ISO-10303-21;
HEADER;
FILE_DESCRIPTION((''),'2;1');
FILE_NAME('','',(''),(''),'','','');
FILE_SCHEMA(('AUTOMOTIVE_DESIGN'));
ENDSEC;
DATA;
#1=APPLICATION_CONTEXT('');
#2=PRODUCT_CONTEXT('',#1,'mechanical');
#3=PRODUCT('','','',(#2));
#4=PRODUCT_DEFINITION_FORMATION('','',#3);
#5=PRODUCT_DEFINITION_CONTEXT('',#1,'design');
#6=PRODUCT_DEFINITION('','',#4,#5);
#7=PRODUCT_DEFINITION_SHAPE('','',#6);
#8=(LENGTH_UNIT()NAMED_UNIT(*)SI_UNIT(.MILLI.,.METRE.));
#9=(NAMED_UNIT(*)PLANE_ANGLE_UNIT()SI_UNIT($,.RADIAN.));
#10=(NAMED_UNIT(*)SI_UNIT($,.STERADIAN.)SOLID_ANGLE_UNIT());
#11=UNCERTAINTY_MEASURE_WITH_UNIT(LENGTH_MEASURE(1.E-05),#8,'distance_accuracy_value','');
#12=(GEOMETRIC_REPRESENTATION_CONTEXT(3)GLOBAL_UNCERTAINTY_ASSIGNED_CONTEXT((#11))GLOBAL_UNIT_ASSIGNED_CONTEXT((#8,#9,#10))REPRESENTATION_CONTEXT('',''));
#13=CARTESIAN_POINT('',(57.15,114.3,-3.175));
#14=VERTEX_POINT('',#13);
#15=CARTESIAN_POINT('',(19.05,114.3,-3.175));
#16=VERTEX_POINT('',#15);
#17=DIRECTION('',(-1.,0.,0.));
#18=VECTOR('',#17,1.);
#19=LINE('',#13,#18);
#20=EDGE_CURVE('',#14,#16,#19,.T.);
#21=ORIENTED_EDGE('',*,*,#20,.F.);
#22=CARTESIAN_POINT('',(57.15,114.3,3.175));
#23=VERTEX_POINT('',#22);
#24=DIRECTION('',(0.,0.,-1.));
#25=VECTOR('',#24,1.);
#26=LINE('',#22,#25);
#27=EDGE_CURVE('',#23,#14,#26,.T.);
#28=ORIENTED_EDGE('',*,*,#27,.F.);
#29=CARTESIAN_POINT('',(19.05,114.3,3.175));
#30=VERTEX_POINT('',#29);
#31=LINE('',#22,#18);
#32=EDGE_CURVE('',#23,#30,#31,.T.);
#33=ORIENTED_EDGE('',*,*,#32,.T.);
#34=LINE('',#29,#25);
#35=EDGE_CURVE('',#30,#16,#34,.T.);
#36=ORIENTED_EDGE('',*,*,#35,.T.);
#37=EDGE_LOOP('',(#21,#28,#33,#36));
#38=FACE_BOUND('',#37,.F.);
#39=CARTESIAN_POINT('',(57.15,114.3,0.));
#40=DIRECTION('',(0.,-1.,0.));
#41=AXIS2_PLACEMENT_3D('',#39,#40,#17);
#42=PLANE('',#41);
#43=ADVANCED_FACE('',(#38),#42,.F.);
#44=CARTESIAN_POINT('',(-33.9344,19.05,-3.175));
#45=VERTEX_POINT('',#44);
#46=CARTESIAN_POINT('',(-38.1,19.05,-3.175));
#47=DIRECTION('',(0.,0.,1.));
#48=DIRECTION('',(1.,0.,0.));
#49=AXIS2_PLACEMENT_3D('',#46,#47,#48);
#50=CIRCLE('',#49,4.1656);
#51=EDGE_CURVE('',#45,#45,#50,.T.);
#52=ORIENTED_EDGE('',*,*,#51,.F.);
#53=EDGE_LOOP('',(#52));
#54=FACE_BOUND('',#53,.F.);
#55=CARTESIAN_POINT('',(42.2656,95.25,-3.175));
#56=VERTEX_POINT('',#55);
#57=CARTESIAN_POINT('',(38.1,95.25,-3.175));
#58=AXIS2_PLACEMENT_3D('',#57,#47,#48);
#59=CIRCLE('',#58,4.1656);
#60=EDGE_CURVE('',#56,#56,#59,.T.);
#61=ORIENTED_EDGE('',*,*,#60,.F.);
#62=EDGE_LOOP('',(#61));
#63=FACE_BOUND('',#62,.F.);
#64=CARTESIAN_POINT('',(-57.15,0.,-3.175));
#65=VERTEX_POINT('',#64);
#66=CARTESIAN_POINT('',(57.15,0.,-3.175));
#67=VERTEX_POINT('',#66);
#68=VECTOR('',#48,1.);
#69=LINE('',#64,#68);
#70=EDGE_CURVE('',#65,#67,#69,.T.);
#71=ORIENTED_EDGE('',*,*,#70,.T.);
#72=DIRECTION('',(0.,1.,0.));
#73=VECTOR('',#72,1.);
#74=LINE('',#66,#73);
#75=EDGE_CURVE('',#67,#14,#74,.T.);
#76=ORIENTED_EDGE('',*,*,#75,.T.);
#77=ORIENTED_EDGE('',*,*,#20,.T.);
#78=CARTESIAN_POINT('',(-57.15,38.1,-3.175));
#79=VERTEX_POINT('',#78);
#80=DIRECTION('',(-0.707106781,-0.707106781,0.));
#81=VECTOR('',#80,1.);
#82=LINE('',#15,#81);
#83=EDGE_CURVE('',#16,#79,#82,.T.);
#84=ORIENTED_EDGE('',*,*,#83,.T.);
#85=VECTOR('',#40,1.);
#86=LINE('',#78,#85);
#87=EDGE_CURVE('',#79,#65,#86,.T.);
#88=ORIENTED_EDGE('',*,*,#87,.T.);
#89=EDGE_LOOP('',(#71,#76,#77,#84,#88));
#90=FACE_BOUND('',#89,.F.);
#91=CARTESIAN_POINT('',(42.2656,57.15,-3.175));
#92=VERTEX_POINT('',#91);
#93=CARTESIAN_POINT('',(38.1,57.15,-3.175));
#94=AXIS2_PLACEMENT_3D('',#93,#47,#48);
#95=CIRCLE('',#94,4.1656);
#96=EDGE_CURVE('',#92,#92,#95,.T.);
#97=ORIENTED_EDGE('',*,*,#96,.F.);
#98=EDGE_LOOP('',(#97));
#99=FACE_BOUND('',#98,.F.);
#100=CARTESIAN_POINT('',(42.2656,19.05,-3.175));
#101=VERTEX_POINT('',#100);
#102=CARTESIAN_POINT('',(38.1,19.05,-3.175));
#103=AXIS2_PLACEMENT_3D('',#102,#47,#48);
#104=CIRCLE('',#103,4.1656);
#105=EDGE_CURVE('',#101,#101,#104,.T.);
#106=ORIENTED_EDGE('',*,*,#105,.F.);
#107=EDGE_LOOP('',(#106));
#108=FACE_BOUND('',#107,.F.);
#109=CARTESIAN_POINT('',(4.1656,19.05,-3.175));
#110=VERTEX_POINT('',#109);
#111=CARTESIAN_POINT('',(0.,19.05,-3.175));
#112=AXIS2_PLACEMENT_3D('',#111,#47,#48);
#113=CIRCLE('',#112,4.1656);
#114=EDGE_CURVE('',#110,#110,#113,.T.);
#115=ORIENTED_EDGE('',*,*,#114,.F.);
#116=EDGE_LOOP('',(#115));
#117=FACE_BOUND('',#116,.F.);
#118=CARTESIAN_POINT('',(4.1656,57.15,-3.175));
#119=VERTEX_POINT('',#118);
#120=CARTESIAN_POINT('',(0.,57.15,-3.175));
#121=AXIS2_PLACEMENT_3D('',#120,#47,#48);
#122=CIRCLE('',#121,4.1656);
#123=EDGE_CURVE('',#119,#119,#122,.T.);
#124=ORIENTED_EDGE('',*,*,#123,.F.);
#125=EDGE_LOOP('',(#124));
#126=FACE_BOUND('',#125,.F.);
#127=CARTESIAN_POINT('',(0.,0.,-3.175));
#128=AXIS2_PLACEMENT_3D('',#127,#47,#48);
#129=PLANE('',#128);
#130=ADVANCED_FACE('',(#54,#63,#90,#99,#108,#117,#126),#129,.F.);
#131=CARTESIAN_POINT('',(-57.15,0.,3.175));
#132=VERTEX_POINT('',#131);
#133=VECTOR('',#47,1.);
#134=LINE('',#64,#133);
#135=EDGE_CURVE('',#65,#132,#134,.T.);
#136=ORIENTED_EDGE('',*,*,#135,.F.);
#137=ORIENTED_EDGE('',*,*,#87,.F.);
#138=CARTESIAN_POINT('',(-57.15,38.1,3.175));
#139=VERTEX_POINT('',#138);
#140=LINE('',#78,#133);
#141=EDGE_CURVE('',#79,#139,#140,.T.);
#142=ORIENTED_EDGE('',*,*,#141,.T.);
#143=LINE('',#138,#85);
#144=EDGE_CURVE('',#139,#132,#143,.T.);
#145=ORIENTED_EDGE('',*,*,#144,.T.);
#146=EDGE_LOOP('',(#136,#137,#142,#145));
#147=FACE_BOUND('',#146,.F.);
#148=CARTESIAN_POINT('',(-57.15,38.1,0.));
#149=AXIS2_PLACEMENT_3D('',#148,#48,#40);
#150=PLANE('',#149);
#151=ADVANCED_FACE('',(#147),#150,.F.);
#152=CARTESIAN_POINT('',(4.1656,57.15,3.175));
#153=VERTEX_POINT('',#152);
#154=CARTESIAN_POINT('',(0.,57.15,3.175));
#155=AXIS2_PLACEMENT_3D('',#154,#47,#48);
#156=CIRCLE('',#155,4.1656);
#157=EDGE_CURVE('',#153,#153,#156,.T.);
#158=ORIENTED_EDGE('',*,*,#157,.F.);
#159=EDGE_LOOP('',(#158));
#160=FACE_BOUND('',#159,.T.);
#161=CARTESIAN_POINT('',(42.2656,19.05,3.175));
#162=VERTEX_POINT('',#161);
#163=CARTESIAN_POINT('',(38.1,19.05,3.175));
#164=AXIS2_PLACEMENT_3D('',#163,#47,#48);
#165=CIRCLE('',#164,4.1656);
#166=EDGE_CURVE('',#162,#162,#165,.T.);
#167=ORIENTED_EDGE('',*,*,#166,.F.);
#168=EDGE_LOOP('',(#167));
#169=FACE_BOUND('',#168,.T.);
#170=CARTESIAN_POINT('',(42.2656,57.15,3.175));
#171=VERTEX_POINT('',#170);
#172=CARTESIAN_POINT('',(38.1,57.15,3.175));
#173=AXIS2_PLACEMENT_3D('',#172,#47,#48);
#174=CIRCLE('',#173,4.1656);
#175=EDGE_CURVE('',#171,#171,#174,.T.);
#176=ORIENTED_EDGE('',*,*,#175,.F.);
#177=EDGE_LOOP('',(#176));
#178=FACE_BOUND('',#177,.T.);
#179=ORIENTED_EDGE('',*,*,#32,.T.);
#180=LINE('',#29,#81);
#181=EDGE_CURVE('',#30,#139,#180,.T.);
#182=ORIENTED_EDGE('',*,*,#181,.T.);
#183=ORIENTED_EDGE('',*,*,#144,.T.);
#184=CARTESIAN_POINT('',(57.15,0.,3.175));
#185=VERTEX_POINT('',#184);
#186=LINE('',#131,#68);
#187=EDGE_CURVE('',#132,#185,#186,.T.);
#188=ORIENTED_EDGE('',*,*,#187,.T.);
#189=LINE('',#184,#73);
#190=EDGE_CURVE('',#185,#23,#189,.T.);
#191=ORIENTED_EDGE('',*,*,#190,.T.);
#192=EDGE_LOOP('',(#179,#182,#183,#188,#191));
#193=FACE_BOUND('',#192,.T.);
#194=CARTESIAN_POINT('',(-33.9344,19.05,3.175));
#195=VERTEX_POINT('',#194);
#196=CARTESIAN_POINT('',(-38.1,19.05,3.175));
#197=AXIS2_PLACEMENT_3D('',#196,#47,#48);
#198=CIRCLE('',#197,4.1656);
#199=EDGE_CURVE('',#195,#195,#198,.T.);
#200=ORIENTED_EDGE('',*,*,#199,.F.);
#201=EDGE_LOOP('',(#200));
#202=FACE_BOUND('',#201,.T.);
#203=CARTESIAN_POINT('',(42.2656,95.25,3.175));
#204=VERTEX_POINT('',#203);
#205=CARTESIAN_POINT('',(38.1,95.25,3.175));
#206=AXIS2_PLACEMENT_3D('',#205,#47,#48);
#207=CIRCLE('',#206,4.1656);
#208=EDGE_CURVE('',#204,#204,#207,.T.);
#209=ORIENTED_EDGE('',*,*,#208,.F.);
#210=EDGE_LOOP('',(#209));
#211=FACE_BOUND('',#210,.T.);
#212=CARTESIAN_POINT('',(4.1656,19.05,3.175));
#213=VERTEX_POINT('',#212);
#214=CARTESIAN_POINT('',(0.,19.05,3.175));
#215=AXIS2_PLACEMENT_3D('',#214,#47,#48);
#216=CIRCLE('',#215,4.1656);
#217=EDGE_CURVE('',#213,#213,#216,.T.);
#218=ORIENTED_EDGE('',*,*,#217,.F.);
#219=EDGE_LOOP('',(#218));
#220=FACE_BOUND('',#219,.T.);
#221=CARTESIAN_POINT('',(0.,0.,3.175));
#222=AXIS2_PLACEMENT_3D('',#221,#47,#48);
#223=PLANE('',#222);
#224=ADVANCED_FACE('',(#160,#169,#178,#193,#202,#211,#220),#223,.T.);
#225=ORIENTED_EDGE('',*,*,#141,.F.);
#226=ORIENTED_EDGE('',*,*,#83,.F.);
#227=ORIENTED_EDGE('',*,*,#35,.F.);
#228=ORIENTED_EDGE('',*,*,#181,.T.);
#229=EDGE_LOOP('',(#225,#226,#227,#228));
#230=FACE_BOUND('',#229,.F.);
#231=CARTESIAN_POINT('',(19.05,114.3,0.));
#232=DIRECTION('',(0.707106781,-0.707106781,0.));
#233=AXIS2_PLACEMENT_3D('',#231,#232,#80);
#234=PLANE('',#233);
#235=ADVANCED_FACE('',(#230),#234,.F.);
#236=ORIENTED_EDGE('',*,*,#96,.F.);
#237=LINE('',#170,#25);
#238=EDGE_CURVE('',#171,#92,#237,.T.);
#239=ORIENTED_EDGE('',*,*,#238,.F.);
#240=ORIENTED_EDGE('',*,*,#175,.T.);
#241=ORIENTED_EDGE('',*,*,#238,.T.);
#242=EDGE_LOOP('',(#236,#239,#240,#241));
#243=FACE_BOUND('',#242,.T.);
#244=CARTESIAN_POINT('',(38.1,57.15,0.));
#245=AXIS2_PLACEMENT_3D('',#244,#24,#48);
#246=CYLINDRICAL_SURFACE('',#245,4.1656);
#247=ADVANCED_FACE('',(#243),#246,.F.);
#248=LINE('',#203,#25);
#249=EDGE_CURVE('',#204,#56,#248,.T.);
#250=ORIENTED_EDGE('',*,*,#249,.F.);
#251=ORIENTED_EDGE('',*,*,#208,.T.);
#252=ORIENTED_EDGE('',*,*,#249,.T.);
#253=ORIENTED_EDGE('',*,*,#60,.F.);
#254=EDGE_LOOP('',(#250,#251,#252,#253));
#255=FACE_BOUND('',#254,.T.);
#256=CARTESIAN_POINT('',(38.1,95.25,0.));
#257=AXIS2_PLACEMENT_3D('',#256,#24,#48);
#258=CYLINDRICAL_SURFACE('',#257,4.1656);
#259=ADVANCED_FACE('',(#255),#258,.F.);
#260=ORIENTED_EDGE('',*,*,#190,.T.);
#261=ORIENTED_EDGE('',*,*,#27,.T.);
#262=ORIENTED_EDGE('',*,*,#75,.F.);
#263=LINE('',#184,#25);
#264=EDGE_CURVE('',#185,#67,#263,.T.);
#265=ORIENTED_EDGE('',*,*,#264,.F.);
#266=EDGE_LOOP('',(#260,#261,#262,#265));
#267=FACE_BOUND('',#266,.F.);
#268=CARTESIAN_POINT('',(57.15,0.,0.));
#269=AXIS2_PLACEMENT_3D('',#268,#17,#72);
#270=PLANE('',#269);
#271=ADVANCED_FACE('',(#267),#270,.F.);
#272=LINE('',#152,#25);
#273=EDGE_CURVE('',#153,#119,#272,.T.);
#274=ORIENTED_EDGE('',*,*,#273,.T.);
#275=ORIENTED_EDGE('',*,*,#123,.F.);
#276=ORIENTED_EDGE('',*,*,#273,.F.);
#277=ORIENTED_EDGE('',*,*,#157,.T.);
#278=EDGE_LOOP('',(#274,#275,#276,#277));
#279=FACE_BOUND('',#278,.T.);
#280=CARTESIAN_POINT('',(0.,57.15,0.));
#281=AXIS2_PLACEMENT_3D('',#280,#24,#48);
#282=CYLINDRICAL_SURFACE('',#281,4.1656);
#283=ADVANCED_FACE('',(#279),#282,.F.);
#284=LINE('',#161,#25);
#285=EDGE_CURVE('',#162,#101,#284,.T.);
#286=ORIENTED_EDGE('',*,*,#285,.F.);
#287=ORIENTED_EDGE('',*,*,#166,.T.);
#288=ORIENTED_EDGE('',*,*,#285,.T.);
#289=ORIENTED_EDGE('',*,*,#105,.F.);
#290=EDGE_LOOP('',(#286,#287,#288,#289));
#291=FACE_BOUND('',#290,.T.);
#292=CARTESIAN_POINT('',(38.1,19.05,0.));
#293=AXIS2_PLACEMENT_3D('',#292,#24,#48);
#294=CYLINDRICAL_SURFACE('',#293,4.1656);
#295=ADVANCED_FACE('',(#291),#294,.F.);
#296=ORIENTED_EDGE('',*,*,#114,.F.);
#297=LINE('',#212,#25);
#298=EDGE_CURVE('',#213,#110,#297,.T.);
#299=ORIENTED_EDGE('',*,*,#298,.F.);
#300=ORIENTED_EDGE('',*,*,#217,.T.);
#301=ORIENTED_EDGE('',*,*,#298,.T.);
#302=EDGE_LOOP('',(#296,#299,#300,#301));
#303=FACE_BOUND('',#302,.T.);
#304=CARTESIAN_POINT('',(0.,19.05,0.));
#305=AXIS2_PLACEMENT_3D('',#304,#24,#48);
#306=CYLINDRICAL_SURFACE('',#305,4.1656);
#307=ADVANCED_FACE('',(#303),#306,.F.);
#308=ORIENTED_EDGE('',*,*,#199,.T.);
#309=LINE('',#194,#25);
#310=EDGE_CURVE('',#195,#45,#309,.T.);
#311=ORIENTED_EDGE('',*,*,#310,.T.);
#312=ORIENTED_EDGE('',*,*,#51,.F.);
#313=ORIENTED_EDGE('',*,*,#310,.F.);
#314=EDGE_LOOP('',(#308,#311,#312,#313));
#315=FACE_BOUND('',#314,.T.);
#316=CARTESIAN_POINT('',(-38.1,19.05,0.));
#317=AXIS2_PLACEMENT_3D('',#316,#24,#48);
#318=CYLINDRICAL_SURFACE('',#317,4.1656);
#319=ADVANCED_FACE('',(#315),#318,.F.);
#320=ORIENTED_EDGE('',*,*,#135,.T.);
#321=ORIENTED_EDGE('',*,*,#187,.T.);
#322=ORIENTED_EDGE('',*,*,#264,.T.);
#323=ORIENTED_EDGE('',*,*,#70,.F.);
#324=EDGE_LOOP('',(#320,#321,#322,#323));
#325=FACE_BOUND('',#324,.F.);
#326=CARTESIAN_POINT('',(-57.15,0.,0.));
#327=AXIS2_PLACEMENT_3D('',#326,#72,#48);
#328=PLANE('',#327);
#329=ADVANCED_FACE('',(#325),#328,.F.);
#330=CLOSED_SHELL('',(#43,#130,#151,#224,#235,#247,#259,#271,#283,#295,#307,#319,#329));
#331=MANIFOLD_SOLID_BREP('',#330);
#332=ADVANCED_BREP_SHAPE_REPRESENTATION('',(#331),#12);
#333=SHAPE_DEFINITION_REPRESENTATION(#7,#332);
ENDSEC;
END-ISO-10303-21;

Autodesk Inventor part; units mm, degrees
ref_plane "YZ Plane" through (0, 0, 0) normal (1, 0, 0) x (0, 1, 0)
ref_plane "XZ Plane" through (0, 0, 0) normal (0, 1, 0) x (-1, 0, 0)
ref_plane "XY Plane" through (0, 0, 0) normal (0, 0, 1) x (1, 0, 0)
sketch "Sketch_1" plane through (0, 0, 0) normal (0, 0, 1) x (1, 0, 0)
  line L0 (-57.15, 38.1) -> (-57.15, 0)
  line L1 (-57.15, 0) -> (57.15, 0)
  line L2 (57.15, 0) -> (57.15, 114.3)
  line L3 (57.15, 114.3) -> (19.05, 114.3)
  line L4 (19.05, 114.3) -> (-57.15, 38.1)
  circle A0 centre (38.1, 19.05) radius 4.1656
  circle A1 centre (38.1, 57.15) radius 4.1656
  circle A2 centre (38.1, 95.25) radius 4.1656
  circle A3 centre (0, 19.05) radius 4.1656
  circle A4 centre (0, 57.15) radius 4.1656
  circle A5 centre (-38.1, 19.05) radius 4.1656
extrude "Extrusion1" add sketch "Sketch_1" along normal mid plane 6.35
properties part number "4461"
